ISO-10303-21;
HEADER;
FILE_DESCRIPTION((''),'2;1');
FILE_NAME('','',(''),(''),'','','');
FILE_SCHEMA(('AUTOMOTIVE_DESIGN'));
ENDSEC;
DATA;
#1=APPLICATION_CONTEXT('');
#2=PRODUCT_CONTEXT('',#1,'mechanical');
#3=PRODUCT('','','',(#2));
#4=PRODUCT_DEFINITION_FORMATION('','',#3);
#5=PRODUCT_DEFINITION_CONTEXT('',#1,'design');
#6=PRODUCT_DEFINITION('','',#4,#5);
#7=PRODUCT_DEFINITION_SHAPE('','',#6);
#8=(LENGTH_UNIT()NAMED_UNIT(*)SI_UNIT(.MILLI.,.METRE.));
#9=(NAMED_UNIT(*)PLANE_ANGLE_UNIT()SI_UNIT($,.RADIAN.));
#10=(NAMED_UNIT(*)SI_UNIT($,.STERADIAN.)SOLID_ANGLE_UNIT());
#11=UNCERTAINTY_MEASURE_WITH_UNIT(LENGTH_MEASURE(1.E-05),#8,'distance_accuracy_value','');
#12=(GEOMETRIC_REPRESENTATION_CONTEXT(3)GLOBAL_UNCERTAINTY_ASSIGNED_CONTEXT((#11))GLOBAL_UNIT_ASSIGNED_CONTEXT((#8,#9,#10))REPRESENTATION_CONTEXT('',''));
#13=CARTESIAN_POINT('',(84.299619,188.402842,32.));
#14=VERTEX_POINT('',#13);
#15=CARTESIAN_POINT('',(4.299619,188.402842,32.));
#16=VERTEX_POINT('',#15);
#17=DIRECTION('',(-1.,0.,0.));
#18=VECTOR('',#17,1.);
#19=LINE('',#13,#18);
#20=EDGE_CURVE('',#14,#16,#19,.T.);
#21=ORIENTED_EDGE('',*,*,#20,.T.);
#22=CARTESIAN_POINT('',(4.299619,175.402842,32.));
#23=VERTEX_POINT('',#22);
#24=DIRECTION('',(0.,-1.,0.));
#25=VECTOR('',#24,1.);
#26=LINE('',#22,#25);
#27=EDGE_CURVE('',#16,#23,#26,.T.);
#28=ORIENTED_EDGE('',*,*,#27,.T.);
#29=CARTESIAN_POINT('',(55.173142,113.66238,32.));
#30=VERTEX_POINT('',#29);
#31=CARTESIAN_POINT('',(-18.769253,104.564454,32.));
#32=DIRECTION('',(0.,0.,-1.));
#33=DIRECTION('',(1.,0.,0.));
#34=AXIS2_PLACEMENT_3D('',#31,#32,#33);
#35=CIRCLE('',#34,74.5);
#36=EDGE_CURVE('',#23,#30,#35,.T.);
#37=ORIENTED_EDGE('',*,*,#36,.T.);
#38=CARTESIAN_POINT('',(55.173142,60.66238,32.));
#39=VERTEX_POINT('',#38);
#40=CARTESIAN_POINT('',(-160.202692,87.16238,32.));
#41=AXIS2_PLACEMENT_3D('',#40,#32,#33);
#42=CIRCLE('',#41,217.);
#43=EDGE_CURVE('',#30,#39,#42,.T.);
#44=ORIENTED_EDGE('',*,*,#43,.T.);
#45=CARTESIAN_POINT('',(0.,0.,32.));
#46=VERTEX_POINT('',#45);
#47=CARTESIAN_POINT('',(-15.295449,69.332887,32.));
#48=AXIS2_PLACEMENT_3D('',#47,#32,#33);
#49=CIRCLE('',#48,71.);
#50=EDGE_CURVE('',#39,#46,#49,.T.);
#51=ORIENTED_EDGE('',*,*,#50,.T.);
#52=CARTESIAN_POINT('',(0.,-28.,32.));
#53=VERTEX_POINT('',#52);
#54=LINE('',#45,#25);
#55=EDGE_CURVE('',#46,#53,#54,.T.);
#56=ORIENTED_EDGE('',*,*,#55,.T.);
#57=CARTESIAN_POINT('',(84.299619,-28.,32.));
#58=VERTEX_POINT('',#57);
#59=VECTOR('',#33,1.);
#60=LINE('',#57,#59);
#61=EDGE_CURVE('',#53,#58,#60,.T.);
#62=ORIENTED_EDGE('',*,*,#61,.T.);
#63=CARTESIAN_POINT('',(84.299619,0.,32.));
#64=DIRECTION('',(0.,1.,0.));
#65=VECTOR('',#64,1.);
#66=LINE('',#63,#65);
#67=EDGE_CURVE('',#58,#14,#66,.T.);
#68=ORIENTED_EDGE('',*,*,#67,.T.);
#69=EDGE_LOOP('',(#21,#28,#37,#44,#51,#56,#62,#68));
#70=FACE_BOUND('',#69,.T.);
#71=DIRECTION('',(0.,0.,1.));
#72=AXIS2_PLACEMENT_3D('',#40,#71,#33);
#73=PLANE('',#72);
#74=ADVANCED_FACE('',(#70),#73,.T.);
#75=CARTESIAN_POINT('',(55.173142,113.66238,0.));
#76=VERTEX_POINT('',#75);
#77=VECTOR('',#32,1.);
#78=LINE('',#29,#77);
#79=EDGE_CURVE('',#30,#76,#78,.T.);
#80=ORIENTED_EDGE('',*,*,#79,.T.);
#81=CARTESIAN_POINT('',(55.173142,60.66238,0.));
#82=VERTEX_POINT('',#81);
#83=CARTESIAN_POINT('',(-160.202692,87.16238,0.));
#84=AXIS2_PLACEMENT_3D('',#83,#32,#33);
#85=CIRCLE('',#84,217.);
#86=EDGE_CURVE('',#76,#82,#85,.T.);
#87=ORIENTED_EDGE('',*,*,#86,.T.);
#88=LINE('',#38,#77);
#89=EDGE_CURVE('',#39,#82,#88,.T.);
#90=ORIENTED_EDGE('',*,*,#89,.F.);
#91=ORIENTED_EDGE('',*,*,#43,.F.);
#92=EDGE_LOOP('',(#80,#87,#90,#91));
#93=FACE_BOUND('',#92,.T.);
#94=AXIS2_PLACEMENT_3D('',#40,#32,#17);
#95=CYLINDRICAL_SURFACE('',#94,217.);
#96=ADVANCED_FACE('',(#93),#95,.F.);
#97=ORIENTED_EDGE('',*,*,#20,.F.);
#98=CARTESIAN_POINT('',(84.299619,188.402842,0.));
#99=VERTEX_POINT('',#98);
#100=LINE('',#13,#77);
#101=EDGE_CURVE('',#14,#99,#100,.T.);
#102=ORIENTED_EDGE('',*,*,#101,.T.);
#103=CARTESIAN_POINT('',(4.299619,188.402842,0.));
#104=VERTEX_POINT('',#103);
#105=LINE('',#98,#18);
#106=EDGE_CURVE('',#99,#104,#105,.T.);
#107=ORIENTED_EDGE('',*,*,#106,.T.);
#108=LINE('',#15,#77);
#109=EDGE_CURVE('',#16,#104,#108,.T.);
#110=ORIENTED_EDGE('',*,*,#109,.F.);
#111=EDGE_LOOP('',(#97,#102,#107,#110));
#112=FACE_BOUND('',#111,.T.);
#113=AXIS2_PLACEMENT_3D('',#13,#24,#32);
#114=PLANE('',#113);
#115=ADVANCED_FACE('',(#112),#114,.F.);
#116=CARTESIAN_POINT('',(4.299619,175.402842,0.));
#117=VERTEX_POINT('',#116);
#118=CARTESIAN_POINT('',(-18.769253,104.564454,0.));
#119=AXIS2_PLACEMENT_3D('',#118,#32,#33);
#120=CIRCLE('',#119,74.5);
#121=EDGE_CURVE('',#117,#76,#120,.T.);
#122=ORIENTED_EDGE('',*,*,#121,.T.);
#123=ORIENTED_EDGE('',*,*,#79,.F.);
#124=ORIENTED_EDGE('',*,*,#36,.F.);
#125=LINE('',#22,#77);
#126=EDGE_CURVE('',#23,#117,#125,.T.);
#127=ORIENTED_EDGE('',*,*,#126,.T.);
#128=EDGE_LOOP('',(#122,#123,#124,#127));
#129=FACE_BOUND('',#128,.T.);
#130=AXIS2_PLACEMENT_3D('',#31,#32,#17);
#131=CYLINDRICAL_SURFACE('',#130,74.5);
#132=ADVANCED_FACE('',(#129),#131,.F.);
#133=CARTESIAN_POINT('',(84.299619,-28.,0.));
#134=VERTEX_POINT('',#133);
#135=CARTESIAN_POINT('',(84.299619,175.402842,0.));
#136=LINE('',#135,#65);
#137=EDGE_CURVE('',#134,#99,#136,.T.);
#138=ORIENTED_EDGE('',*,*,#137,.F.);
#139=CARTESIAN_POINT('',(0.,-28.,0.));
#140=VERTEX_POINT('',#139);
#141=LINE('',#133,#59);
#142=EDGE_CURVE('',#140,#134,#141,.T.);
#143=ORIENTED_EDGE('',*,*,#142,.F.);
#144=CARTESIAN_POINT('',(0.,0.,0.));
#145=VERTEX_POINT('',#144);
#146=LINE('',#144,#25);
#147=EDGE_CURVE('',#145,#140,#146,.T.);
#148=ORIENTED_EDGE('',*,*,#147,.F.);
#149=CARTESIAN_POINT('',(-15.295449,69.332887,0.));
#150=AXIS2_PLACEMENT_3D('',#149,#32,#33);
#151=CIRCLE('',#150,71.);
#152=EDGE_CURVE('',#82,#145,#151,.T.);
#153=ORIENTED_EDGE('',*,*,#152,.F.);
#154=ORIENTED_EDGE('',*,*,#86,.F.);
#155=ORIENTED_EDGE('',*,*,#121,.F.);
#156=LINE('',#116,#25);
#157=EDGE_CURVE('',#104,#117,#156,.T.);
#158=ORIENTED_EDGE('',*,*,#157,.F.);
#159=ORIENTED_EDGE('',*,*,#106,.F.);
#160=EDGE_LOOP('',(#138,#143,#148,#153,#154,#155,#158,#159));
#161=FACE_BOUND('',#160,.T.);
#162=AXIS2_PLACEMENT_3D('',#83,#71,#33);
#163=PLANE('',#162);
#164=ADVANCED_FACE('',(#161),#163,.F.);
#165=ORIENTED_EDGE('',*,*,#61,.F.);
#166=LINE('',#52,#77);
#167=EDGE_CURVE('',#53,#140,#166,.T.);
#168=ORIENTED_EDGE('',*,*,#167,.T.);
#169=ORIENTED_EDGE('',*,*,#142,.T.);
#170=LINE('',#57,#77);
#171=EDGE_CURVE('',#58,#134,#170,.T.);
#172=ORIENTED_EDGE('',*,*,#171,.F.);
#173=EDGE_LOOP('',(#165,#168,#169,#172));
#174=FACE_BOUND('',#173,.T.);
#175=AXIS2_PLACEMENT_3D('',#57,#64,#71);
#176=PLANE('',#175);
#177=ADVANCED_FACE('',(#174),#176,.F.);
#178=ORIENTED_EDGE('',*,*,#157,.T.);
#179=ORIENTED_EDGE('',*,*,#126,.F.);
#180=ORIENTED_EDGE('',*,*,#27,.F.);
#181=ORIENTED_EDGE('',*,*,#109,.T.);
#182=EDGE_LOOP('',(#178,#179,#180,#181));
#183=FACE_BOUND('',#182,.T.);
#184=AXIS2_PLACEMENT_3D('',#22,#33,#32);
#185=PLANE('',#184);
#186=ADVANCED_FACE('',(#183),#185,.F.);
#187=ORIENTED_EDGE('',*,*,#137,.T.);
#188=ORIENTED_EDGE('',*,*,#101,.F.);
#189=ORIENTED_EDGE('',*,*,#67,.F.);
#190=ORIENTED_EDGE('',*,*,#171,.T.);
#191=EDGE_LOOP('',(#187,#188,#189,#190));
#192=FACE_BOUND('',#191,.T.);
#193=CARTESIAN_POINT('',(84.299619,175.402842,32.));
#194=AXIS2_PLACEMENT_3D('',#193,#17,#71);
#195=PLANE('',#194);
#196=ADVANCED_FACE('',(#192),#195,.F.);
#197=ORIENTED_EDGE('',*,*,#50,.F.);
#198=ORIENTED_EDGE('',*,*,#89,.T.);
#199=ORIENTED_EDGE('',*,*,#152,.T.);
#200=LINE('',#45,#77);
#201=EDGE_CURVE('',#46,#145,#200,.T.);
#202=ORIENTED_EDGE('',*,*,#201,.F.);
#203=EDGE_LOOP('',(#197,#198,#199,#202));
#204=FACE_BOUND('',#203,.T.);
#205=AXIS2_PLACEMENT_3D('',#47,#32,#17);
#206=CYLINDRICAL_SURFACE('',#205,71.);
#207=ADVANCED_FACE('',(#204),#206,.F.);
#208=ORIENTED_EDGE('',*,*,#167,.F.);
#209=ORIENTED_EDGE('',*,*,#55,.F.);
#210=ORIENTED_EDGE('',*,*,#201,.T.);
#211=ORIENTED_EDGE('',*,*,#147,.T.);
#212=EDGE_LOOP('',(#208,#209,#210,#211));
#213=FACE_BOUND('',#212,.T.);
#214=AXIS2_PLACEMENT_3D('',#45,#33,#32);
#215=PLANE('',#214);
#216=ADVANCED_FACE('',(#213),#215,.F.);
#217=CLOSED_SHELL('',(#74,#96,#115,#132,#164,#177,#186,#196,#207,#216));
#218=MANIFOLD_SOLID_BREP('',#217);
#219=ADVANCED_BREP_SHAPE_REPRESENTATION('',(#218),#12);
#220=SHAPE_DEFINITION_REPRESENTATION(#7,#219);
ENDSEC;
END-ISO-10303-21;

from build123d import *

# Parameters (mm, degrees)
EXTRUDE_4_DEPTH = 32


with BuildPart() as part:
    # Эскиз1 → Бобышка-Вытянуть4 (new body)
    with BuildSketch(Plane.XY):
        with BuildLine():
            Line((4.299618531, 175.402841826), (4.299618531, 188.402841826))
            Line((4.299618531, 188.402841826), (84.299618531, 188.402841826))
            Line((84.299618531, 188.402841826), (84.299618531, 175.402841826))
            Line((84.299618531, 175.402841826), (84.299618531, 0))
            Line((84.299618531, 0), (84.299618531, -28))
            Line((84.299618531, -28), (0, -28))
            Line((0, -28), (0, 0))
            ThreePointArc((0, 0), (37.229295141, 21.561020186), (55.173142182, 60.662380285))
            ThreePointArc((55.173142182, 60.662380285), (56.797307883, 87.162380285), (55.173142182, 113.662380285))
            ThreePointArc((55.173142182, 113.662380285), (38.726552267, 151.940422917), (4.299618531, 175.402841826))
        make_face()
    extrude(amount=EXTRUDE_4_DEPTH)


solid = part.part
